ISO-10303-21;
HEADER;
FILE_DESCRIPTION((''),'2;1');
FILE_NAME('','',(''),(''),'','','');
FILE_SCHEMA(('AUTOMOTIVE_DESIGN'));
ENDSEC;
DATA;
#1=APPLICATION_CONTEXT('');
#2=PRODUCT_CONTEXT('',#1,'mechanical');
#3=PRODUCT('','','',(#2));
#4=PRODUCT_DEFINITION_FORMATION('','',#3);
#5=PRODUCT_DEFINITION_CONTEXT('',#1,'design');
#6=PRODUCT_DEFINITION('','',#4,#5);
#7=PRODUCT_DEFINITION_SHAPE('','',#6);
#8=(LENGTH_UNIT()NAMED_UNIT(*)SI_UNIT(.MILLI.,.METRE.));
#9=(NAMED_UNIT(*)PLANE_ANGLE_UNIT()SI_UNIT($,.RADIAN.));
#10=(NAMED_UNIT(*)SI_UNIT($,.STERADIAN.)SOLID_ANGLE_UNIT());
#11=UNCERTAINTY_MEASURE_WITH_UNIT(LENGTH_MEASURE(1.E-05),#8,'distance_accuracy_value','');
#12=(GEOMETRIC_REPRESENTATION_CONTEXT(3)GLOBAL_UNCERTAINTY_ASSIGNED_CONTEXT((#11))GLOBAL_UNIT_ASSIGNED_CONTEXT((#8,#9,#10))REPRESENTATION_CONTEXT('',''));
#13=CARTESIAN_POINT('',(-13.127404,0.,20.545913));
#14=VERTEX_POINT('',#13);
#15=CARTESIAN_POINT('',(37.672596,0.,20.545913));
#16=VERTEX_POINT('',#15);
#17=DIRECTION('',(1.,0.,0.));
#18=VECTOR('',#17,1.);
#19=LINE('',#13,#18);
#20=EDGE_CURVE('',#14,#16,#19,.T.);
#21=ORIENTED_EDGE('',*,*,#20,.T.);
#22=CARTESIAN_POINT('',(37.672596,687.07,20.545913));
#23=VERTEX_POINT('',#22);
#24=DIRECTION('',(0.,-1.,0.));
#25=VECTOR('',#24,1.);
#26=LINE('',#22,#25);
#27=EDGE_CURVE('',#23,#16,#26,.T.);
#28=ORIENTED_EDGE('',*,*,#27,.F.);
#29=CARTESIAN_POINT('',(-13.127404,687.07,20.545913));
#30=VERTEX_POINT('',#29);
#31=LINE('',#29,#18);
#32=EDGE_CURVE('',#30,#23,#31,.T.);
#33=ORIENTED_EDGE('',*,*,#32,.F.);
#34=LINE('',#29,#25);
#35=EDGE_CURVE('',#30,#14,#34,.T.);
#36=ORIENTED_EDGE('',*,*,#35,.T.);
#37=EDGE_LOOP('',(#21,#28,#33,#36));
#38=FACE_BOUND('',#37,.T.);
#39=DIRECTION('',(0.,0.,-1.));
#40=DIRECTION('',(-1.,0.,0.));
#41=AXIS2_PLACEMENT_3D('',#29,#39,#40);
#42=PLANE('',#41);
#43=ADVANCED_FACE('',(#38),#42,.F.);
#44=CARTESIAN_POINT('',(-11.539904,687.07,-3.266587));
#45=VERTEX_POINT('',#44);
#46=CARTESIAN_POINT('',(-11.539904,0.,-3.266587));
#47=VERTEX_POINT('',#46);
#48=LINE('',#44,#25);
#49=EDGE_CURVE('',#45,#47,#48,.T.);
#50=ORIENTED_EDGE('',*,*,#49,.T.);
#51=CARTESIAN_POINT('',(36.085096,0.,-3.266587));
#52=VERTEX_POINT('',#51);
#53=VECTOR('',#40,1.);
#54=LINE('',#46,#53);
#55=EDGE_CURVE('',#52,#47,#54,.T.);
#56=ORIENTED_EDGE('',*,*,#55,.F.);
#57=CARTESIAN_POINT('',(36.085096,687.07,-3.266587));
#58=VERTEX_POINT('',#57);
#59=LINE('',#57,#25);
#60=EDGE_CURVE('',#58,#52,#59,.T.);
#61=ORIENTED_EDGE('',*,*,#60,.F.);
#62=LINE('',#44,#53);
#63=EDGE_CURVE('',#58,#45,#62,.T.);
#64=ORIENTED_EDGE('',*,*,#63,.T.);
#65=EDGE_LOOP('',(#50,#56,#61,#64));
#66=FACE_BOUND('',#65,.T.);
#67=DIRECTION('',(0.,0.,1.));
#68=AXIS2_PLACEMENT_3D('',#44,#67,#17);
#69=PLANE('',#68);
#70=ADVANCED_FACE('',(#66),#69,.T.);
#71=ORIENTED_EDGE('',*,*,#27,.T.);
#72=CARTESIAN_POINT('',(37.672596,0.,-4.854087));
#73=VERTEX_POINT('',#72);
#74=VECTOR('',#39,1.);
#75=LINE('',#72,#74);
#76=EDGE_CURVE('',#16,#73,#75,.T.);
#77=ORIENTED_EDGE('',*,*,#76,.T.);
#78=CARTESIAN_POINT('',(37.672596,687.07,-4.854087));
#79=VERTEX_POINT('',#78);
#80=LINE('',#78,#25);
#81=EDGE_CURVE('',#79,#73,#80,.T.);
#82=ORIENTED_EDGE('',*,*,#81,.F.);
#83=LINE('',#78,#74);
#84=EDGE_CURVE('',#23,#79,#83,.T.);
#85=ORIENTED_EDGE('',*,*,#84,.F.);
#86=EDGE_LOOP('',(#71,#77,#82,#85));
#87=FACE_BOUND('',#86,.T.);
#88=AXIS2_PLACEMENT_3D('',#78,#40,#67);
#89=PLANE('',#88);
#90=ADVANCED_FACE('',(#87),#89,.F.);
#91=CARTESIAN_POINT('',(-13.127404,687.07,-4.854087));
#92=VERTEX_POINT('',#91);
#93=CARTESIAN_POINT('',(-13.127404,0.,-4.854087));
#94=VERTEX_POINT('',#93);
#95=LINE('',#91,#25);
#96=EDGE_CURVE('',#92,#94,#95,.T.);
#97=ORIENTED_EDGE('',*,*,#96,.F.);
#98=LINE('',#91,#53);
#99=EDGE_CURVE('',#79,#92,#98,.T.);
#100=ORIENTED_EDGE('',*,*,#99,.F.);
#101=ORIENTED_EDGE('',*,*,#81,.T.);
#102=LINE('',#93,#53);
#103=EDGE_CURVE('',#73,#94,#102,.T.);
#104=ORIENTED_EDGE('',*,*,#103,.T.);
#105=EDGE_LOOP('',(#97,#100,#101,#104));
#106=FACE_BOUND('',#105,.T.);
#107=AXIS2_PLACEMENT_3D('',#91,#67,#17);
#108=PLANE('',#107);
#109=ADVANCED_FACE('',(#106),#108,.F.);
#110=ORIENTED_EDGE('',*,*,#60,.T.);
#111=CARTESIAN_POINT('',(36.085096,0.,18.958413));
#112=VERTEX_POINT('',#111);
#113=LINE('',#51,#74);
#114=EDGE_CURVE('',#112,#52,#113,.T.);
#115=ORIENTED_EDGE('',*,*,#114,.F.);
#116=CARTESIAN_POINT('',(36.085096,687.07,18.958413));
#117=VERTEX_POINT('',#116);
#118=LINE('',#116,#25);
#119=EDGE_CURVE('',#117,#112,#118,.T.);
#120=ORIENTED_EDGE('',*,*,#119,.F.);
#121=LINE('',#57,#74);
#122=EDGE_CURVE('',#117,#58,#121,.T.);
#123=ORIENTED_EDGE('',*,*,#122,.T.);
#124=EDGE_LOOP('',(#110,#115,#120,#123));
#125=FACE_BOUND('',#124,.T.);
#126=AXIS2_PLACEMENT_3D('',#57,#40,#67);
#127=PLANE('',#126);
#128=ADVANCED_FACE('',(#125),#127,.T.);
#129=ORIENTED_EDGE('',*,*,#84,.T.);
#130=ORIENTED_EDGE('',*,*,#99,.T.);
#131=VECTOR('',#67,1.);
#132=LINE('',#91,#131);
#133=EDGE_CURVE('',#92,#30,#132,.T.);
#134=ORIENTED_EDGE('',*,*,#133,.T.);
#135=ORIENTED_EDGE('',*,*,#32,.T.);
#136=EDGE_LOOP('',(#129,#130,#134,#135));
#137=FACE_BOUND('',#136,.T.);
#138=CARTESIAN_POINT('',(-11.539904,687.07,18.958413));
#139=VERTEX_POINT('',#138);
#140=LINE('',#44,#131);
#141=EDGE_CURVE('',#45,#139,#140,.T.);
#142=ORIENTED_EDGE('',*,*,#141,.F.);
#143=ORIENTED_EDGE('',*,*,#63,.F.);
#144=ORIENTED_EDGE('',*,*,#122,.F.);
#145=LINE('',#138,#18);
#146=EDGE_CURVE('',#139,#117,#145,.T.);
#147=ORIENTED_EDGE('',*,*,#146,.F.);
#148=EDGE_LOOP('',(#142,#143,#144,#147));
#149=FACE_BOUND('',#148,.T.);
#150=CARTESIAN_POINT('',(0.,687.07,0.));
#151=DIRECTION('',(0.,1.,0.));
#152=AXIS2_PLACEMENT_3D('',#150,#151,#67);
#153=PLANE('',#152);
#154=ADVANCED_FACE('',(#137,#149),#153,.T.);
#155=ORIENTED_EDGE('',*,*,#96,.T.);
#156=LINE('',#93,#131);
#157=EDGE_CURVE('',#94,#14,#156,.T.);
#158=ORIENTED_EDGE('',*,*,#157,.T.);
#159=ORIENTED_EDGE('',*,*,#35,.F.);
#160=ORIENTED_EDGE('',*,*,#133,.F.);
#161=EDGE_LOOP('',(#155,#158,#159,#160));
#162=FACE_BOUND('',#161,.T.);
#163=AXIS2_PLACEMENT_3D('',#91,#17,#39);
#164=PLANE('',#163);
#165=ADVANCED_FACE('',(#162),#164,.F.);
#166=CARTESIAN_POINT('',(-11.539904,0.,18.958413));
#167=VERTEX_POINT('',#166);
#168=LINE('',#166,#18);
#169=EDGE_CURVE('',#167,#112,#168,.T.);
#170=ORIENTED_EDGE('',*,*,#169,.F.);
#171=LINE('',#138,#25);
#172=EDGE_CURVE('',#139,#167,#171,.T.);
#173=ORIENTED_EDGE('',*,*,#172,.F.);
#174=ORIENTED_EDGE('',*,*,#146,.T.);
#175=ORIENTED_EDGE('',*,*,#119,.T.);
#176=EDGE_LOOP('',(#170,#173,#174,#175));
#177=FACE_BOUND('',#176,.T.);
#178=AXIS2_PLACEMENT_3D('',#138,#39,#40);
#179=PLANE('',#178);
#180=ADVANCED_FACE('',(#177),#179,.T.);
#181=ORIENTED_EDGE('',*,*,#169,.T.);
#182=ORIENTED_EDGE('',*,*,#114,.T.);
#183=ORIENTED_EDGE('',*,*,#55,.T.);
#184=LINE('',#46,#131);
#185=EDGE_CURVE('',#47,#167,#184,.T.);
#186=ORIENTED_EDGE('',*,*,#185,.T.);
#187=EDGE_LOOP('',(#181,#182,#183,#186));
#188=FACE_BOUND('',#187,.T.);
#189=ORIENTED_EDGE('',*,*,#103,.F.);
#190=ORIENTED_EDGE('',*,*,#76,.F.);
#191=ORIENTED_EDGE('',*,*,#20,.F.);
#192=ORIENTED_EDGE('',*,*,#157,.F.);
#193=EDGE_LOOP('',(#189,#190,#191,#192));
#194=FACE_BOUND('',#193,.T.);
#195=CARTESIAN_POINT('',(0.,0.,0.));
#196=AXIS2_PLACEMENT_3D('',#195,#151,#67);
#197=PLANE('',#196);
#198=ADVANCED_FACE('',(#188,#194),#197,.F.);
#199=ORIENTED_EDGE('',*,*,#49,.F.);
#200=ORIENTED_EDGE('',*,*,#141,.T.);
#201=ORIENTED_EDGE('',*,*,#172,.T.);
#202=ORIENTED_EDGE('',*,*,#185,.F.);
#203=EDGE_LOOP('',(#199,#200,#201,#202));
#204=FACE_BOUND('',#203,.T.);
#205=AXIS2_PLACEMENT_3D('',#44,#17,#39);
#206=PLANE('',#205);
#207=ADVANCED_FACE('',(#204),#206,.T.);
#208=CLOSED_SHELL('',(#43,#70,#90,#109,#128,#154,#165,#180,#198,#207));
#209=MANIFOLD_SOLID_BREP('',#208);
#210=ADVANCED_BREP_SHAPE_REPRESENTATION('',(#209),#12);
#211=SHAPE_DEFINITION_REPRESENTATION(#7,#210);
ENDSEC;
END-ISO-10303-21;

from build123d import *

# Parameters (mm, degrees)
SKETCH1_W           = 50.8
SKETCH1_H           = 25.4
SKETCH1_W_2         = 47.625
SKETCH1_H_2         = 22.225
BOSS_EXTRUDE1_DEPTH = 687.07


with BuildPart() as part:
    # Sketch1 → Boss-Extrude1 (new body)
    with BuildSketch(Plane(origin=(0, 0, 0), x_dir=(1, 0, 0), z_dir=(0, 1, 0))):
        with Locations((12.272596154, -7.845913462)):
            Rectangle(SKETCH1_W, SKETCH1_H)
        with Locations((12.272596154, -7.845913462)):
            Rectangle(SKETCH1_W_2, SKETCH1_H_2, mode=Mode.SUBTRACT)
    extrude(amount=BOSS_EXTRUDE1_DEPTH)


solid = part.part
